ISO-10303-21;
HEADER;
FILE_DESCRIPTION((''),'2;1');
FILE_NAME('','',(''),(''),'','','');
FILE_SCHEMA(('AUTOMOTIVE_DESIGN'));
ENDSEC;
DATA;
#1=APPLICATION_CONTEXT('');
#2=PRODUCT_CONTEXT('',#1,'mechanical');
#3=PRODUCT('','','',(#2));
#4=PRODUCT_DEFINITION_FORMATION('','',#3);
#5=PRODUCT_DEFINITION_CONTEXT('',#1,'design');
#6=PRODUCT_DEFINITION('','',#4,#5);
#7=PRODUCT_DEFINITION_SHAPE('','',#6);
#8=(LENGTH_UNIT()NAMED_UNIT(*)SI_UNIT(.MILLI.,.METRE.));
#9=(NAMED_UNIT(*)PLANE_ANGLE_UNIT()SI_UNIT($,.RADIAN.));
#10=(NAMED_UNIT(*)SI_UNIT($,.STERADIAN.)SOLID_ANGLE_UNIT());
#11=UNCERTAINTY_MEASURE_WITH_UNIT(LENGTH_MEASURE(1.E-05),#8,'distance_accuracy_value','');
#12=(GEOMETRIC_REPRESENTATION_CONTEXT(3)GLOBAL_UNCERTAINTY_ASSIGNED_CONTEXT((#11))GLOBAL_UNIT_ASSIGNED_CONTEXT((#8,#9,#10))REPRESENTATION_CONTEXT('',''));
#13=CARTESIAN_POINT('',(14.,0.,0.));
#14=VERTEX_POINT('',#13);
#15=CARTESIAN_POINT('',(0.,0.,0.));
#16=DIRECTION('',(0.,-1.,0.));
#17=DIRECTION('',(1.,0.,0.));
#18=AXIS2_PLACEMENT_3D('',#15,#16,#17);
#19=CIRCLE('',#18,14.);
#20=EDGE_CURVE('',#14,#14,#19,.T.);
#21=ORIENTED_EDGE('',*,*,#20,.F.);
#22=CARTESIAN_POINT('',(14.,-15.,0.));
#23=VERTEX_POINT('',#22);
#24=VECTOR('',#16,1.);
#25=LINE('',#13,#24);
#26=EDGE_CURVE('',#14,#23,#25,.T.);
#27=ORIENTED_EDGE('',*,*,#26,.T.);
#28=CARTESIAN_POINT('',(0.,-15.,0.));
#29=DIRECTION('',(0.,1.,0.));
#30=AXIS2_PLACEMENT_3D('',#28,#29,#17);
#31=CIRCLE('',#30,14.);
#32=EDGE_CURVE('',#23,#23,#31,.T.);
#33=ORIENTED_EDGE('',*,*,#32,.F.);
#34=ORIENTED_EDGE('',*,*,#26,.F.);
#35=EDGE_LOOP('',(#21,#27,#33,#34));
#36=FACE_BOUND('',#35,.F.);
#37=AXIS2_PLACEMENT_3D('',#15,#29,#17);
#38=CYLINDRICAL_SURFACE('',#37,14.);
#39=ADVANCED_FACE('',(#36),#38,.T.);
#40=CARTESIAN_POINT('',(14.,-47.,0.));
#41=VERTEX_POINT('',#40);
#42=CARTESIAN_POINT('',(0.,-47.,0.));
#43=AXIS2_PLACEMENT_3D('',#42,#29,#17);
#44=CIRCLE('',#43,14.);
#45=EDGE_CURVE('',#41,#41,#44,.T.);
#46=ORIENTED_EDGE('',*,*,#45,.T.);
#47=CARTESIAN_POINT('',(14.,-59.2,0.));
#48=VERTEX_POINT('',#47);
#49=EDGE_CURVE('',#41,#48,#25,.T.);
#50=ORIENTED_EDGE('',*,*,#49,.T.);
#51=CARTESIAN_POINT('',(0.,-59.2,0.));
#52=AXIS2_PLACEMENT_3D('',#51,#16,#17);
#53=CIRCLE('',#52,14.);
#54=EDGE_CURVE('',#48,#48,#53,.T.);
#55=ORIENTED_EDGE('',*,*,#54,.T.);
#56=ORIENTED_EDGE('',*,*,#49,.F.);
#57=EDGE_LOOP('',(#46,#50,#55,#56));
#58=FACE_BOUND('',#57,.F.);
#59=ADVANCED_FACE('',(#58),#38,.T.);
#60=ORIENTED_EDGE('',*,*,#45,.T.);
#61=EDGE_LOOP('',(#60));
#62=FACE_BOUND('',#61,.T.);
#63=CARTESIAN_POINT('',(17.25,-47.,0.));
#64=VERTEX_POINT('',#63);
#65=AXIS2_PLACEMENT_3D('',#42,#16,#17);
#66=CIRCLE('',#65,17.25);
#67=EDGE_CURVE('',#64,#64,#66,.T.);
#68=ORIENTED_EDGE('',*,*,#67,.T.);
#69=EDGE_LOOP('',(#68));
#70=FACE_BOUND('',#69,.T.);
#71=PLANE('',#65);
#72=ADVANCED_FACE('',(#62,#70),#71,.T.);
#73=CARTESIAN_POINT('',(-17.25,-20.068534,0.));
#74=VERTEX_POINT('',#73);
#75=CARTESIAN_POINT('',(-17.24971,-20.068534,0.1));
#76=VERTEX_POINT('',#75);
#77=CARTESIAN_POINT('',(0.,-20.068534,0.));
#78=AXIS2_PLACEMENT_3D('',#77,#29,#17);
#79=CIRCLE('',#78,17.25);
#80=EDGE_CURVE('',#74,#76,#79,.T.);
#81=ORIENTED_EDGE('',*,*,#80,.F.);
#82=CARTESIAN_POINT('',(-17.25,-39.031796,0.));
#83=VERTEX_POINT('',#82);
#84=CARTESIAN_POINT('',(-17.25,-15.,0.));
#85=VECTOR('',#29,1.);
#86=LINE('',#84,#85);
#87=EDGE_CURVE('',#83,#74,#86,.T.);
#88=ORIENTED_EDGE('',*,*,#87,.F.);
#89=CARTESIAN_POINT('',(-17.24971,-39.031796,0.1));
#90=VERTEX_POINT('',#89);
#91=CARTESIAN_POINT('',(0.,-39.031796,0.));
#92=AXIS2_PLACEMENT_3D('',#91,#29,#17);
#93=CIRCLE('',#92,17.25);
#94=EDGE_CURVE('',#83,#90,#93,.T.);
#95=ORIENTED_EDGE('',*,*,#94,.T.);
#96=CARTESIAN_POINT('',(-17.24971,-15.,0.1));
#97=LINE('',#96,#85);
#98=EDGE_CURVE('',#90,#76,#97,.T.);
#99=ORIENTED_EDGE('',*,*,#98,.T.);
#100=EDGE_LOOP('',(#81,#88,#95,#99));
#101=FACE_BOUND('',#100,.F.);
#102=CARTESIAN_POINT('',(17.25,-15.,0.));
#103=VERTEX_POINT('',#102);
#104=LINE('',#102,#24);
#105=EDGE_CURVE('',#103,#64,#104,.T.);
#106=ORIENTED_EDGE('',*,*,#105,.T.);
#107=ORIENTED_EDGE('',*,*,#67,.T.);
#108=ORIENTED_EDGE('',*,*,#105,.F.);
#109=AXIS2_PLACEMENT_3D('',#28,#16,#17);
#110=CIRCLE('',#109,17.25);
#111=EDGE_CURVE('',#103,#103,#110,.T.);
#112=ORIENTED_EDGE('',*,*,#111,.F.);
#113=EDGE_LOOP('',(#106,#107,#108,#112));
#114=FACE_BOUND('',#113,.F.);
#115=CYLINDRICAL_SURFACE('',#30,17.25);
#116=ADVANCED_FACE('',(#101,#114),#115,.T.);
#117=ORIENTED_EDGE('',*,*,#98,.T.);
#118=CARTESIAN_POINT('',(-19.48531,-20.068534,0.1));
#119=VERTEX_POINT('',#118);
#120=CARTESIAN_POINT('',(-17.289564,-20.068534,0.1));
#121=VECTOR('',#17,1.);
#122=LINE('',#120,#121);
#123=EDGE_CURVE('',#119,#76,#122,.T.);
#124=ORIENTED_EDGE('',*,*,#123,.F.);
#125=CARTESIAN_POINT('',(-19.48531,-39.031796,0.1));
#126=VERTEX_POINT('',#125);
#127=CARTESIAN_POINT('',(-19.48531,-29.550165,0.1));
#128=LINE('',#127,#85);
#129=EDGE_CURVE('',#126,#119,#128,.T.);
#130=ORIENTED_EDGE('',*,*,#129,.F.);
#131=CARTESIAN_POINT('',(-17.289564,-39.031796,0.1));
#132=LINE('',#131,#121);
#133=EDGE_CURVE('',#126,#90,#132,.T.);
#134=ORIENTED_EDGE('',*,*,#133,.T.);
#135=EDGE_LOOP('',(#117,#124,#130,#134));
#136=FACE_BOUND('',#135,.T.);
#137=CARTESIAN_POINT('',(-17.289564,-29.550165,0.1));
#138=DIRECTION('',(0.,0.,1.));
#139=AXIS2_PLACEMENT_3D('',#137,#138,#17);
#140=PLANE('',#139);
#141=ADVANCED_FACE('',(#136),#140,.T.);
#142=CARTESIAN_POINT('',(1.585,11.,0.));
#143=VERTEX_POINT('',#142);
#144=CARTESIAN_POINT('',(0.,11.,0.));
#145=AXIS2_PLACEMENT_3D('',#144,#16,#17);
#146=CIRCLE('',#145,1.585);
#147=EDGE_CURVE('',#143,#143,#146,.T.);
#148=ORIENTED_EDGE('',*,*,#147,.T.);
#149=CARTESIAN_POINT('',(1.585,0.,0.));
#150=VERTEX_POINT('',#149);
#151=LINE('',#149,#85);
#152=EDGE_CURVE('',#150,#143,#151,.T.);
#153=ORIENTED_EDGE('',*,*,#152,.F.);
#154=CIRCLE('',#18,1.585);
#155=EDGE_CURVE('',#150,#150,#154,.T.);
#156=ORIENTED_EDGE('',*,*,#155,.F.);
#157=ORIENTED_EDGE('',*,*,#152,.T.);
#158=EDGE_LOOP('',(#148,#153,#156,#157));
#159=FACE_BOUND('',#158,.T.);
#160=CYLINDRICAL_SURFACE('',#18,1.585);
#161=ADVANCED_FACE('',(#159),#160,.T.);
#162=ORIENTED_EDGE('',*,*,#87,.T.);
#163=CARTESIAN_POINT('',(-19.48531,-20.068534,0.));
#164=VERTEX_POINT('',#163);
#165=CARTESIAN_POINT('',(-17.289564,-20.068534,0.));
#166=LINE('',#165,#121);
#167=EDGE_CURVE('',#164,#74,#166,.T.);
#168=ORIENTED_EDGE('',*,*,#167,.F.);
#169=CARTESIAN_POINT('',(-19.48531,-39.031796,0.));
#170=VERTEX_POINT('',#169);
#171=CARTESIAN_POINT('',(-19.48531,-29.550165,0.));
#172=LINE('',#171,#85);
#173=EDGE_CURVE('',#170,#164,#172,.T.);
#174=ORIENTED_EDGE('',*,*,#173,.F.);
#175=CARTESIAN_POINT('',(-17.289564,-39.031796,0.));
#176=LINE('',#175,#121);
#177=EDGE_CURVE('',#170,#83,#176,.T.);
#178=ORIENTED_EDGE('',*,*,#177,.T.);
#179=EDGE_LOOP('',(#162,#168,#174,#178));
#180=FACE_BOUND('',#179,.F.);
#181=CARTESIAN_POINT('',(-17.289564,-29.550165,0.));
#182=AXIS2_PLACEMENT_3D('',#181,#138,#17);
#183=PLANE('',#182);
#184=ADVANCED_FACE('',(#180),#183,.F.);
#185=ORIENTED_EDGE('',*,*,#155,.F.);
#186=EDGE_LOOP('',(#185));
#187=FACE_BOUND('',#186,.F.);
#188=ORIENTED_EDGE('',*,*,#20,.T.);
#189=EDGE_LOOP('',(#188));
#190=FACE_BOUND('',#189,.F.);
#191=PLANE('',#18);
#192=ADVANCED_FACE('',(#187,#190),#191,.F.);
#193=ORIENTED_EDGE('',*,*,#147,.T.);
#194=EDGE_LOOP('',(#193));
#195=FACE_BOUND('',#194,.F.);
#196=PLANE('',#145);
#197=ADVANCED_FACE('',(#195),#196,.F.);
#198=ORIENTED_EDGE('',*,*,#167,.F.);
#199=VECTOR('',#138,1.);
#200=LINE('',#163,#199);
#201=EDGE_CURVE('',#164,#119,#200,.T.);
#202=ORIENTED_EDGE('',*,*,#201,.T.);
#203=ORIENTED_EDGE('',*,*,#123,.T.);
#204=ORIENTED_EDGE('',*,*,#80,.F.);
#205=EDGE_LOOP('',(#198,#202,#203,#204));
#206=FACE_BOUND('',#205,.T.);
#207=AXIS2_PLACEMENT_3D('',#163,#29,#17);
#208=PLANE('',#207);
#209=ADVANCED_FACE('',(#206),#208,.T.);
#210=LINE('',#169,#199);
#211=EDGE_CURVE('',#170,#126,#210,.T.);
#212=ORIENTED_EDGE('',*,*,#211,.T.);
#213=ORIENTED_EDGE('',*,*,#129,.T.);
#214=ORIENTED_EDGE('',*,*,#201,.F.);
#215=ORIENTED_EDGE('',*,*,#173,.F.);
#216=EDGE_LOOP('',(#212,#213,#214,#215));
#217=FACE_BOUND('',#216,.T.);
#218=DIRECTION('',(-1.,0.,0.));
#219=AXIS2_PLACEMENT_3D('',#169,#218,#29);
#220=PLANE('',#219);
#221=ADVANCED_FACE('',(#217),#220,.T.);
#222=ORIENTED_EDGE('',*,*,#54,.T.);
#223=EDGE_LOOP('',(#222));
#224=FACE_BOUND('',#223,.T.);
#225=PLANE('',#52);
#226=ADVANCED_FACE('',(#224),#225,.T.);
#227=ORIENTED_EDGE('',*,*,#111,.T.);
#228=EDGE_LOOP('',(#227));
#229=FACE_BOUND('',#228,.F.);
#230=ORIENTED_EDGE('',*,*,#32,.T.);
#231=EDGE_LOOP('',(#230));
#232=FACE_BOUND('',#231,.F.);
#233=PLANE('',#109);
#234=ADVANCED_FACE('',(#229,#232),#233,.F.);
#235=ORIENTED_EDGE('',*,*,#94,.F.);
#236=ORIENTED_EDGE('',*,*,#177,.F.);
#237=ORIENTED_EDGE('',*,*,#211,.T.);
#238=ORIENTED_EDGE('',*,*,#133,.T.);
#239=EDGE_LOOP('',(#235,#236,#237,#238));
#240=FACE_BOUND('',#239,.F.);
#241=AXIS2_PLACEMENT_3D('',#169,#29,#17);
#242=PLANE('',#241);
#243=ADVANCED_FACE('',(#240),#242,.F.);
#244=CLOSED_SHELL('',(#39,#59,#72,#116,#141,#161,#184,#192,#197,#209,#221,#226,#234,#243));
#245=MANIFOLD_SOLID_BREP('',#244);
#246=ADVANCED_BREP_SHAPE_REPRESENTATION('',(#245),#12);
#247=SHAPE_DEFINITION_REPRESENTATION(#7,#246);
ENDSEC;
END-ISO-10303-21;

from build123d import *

# Parameters (mm, degrees)
F0_R     = 14
F1_DEPTH = 59.2
F3_START = 15
F2_R     = 17.25
F3_DEPTH = 32
F4_R     = 1.585
F5_DEPTH = 11
F6_W     = 4.3914923444
F6_H     = 18.9632624388
F7_DEPTH = 0.1


with BuildPart() as f1:
    # F0 (on Front) → F1 (new body)
    with BuildSketch(Plane.XZ):
        Circle(F0_R)
    extrude(amount=F1_DEPTH)

    # F2 (on Front) → F3 (join)
    with BuildSketch(Plane.XZ.offset(F3_START)):
        Circle(F2_R)
    extrude(amount=F3_DEPTH)

    # F4 (on Front) → F5 (join)
    with BuildSketch(Plane.XZ):
        Circle(F4_R)
    extrude(amount=-F5_DEPTH)

    # F6 (on Top) → F7 (join)
    with BuildSketch(Plane.XY):
        with Locations((-17.2895635478, -29.550164938)):
            Rectangle(F6_W, F6_H)
    extrude(amount=F7_DEPTH)


solid = f1.part
